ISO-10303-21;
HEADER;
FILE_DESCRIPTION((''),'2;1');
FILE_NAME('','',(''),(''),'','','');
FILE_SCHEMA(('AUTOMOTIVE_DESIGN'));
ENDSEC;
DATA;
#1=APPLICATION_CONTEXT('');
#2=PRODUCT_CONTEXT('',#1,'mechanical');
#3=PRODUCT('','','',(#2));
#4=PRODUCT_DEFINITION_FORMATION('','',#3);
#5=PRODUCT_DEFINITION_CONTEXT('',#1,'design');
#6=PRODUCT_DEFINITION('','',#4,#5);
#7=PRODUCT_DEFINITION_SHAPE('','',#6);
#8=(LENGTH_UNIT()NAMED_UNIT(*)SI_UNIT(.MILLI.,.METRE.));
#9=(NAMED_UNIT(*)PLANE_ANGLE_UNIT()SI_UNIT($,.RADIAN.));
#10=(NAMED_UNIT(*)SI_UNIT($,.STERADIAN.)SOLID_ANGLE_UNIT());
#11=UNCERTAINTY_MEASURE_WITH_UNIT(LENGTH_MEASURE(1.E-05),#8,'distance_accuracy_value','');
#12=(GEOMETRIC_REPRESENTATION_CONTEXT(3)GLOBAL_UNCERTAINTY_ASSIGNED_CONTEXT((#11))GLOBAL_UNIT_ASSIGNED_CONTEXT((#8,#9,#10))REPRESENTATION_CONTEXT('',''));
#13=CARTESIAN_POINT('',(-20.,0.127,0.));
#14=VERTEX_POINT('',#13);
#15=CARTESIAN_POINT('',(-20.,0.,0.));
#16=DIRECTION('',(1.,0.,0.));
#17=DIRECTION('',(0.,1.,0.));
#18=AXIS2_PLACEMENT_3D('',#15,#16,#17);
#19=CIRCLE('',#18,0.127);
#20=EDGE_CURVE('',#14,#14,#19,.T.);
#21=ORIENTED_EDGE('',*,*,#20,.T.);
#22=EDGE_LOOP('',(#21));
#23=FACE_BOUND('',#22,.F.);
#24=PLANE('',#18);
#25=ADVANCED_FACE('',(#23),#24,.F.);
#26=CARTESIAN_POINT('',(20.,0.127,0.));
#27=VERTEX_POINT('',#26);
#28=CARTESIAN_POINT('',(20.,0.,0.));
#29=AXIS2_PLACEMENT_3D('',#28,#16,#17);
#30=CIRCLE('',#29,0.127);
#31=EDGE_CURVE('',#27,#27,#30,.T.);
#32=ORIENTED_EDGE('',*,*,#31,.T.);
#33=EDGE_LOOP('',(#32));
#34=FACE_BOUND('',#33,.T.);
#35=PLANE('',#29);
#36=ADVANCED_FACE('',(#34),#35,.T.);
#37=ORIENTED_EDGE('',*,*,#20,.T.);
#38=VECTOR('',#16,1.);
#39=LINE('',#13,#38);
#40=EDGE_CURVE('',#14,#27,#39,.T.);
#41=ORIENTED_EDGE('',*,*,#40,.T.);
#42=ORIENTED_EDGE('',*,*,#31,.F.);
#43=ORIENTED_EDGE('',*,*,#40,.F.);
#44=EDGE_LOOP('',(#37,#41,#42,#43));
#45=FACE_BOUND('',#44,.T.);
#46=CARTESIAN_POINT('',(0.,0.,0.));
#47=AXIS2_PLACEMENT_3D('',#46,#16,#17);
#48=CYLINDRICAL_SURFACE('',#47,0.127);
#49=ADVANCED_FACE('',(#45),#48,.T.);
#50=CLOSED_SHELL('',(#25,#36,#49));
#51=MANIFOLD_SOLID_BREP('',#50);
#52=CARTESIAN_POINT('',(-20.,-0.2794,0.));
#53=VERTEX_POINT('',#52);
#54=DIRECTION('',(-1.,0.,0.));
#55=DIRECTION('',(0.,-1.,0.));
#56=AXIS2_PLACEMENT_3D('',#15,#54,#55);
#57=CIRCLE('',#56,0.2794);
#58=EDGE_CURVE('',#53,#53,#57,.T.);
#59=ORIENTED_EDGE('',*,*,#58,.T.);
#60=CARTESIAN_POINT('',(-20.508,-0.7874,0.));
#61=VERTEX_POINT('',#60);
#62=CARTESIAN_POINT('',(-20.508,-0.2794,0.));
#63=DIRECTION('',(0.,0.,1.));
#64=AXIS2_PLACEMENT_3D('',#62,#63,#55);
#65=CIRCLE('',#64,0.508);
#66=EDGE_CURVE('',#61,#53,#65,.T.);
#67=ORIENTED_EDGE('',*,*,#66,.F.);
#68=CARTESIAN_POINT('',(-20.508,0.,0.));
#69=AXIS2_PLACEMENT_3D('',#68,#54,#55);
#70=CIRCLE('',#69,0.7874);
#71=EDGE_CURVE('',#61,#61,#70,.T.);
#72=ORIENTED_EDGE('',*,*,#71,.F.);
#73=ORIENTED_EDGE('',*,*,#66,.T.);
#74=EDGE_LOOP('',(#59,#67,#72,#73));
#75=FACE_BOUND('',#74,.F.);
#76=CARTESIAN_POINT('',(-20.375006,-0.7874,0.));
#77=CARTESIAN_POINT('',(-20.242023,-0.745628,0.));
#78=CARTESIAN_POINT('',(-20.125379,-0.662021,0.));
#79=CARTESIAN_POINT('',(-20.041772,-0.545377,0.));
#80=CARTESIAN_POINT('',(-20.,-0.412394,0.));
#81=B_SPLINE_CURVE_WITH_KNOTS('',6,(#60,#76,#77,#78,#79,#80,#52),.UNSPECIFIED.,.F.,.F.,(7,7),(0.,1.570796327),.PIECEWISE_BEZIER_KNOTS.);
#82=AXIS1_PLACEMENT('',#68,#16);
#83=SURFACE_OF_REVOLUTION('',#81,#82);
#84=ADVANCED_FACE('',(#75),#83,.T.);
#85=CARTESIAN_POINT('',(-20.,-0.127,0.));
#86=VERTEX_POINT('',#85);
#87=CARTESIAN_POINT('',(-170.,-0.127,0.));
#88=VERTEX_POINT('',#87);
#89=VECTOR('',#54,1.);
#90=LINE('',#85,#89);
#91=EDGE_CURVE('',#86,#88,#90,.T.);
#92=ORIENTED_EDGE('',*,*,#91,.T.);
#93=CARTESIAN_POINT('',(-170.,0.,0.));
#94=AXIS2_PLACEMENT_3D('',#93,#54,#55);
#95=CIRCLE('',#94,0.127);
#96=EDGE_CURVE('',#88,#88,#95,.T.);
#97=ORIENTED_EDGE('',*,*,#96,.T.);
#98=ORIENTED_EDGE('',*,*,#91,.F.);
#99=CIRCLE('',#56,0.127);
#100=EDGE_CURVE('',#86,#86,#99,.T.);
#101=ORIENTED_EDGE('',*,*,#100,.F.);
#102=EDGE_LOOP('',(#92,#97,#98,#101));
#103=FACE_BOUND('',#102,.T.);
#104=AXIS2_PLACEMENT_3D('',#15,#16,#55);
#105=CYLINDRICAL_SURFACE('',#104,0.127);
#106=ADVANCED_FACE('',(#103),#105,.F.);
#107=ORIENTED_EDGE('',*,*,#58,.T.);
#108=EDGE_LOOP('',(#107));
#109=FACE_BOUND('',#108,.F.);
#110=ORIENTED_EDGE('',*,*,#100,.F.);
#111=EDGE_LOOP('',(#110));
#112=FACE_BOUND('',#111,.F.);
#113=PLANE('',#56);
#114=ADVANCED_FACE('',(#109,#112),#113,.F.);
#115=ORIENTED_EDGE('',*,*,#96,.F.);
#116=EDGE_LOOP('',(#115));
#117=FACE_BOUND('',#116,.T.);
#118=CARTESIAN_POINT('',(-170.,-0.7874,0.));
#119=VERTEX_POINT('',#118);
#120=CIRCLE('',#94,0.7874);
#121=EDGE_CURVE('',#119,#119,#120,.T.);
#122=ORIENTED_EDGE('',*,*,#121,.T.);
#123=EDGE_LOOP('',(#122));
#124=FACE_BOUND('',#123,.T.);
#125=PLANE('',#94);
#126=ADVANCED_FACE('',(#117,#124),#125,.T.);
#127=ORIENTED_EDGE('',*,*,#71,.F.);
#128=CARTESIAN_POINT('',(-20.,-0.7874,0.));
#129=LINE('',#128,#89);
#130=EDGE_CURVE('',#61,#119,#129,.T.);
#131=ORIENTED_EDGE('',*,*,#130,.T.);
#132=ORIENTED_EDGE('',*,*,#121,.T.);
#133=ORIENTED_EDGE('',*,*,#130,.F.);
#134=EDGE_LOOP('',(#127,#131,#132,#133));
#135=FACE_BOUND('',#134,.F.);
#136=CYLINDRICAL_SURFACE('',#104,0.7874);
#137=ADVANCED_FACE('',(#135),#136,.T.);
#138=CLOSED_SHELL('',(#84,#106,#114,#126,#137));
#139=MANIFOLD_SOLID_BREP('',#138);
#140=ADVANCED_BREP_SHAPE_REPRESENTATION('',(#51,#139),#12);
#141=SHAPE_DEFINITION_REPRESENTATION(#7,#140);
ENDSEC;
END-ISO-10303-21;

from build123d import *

# Parameters (mm, degrees)
F0_R     = 0.127
F1_DEPTH = 20
F2_R     = 0.7874
F2_R_2   = 0.127
F3_DEPTH = 150
F4_R     = 0.508


with BuildPart() as f1:
    # F0 (on Right) → F1 (new body, symmetric)
    with BuildSketch(Plane.YZ):
        Circle(F0_R)
    extrude(amount=F1_DEPTH, both=True)


with BuildPart() as f3:
    # F2 (on face) → F3 (new body)
    with BuildSketch(Plane(origin=(-20, 0, 0), x_dir=(0, -1, 0), z_dir=(-1, 0, 0))):
        Circle(F2_R)
        Circle(F2_R_2, mode=Mode.SUBTRACT)
    extrude(amount=F3_DEPTH)

    # F4
    f4_edges = [f3.edges().sort_by_distance(p)[0] for p in [
        (-20, 0.7874, 0),
    ]]
    fillet(f4_edges, radius=F4_R)


solid = Compound([f1.part, f3.part])
